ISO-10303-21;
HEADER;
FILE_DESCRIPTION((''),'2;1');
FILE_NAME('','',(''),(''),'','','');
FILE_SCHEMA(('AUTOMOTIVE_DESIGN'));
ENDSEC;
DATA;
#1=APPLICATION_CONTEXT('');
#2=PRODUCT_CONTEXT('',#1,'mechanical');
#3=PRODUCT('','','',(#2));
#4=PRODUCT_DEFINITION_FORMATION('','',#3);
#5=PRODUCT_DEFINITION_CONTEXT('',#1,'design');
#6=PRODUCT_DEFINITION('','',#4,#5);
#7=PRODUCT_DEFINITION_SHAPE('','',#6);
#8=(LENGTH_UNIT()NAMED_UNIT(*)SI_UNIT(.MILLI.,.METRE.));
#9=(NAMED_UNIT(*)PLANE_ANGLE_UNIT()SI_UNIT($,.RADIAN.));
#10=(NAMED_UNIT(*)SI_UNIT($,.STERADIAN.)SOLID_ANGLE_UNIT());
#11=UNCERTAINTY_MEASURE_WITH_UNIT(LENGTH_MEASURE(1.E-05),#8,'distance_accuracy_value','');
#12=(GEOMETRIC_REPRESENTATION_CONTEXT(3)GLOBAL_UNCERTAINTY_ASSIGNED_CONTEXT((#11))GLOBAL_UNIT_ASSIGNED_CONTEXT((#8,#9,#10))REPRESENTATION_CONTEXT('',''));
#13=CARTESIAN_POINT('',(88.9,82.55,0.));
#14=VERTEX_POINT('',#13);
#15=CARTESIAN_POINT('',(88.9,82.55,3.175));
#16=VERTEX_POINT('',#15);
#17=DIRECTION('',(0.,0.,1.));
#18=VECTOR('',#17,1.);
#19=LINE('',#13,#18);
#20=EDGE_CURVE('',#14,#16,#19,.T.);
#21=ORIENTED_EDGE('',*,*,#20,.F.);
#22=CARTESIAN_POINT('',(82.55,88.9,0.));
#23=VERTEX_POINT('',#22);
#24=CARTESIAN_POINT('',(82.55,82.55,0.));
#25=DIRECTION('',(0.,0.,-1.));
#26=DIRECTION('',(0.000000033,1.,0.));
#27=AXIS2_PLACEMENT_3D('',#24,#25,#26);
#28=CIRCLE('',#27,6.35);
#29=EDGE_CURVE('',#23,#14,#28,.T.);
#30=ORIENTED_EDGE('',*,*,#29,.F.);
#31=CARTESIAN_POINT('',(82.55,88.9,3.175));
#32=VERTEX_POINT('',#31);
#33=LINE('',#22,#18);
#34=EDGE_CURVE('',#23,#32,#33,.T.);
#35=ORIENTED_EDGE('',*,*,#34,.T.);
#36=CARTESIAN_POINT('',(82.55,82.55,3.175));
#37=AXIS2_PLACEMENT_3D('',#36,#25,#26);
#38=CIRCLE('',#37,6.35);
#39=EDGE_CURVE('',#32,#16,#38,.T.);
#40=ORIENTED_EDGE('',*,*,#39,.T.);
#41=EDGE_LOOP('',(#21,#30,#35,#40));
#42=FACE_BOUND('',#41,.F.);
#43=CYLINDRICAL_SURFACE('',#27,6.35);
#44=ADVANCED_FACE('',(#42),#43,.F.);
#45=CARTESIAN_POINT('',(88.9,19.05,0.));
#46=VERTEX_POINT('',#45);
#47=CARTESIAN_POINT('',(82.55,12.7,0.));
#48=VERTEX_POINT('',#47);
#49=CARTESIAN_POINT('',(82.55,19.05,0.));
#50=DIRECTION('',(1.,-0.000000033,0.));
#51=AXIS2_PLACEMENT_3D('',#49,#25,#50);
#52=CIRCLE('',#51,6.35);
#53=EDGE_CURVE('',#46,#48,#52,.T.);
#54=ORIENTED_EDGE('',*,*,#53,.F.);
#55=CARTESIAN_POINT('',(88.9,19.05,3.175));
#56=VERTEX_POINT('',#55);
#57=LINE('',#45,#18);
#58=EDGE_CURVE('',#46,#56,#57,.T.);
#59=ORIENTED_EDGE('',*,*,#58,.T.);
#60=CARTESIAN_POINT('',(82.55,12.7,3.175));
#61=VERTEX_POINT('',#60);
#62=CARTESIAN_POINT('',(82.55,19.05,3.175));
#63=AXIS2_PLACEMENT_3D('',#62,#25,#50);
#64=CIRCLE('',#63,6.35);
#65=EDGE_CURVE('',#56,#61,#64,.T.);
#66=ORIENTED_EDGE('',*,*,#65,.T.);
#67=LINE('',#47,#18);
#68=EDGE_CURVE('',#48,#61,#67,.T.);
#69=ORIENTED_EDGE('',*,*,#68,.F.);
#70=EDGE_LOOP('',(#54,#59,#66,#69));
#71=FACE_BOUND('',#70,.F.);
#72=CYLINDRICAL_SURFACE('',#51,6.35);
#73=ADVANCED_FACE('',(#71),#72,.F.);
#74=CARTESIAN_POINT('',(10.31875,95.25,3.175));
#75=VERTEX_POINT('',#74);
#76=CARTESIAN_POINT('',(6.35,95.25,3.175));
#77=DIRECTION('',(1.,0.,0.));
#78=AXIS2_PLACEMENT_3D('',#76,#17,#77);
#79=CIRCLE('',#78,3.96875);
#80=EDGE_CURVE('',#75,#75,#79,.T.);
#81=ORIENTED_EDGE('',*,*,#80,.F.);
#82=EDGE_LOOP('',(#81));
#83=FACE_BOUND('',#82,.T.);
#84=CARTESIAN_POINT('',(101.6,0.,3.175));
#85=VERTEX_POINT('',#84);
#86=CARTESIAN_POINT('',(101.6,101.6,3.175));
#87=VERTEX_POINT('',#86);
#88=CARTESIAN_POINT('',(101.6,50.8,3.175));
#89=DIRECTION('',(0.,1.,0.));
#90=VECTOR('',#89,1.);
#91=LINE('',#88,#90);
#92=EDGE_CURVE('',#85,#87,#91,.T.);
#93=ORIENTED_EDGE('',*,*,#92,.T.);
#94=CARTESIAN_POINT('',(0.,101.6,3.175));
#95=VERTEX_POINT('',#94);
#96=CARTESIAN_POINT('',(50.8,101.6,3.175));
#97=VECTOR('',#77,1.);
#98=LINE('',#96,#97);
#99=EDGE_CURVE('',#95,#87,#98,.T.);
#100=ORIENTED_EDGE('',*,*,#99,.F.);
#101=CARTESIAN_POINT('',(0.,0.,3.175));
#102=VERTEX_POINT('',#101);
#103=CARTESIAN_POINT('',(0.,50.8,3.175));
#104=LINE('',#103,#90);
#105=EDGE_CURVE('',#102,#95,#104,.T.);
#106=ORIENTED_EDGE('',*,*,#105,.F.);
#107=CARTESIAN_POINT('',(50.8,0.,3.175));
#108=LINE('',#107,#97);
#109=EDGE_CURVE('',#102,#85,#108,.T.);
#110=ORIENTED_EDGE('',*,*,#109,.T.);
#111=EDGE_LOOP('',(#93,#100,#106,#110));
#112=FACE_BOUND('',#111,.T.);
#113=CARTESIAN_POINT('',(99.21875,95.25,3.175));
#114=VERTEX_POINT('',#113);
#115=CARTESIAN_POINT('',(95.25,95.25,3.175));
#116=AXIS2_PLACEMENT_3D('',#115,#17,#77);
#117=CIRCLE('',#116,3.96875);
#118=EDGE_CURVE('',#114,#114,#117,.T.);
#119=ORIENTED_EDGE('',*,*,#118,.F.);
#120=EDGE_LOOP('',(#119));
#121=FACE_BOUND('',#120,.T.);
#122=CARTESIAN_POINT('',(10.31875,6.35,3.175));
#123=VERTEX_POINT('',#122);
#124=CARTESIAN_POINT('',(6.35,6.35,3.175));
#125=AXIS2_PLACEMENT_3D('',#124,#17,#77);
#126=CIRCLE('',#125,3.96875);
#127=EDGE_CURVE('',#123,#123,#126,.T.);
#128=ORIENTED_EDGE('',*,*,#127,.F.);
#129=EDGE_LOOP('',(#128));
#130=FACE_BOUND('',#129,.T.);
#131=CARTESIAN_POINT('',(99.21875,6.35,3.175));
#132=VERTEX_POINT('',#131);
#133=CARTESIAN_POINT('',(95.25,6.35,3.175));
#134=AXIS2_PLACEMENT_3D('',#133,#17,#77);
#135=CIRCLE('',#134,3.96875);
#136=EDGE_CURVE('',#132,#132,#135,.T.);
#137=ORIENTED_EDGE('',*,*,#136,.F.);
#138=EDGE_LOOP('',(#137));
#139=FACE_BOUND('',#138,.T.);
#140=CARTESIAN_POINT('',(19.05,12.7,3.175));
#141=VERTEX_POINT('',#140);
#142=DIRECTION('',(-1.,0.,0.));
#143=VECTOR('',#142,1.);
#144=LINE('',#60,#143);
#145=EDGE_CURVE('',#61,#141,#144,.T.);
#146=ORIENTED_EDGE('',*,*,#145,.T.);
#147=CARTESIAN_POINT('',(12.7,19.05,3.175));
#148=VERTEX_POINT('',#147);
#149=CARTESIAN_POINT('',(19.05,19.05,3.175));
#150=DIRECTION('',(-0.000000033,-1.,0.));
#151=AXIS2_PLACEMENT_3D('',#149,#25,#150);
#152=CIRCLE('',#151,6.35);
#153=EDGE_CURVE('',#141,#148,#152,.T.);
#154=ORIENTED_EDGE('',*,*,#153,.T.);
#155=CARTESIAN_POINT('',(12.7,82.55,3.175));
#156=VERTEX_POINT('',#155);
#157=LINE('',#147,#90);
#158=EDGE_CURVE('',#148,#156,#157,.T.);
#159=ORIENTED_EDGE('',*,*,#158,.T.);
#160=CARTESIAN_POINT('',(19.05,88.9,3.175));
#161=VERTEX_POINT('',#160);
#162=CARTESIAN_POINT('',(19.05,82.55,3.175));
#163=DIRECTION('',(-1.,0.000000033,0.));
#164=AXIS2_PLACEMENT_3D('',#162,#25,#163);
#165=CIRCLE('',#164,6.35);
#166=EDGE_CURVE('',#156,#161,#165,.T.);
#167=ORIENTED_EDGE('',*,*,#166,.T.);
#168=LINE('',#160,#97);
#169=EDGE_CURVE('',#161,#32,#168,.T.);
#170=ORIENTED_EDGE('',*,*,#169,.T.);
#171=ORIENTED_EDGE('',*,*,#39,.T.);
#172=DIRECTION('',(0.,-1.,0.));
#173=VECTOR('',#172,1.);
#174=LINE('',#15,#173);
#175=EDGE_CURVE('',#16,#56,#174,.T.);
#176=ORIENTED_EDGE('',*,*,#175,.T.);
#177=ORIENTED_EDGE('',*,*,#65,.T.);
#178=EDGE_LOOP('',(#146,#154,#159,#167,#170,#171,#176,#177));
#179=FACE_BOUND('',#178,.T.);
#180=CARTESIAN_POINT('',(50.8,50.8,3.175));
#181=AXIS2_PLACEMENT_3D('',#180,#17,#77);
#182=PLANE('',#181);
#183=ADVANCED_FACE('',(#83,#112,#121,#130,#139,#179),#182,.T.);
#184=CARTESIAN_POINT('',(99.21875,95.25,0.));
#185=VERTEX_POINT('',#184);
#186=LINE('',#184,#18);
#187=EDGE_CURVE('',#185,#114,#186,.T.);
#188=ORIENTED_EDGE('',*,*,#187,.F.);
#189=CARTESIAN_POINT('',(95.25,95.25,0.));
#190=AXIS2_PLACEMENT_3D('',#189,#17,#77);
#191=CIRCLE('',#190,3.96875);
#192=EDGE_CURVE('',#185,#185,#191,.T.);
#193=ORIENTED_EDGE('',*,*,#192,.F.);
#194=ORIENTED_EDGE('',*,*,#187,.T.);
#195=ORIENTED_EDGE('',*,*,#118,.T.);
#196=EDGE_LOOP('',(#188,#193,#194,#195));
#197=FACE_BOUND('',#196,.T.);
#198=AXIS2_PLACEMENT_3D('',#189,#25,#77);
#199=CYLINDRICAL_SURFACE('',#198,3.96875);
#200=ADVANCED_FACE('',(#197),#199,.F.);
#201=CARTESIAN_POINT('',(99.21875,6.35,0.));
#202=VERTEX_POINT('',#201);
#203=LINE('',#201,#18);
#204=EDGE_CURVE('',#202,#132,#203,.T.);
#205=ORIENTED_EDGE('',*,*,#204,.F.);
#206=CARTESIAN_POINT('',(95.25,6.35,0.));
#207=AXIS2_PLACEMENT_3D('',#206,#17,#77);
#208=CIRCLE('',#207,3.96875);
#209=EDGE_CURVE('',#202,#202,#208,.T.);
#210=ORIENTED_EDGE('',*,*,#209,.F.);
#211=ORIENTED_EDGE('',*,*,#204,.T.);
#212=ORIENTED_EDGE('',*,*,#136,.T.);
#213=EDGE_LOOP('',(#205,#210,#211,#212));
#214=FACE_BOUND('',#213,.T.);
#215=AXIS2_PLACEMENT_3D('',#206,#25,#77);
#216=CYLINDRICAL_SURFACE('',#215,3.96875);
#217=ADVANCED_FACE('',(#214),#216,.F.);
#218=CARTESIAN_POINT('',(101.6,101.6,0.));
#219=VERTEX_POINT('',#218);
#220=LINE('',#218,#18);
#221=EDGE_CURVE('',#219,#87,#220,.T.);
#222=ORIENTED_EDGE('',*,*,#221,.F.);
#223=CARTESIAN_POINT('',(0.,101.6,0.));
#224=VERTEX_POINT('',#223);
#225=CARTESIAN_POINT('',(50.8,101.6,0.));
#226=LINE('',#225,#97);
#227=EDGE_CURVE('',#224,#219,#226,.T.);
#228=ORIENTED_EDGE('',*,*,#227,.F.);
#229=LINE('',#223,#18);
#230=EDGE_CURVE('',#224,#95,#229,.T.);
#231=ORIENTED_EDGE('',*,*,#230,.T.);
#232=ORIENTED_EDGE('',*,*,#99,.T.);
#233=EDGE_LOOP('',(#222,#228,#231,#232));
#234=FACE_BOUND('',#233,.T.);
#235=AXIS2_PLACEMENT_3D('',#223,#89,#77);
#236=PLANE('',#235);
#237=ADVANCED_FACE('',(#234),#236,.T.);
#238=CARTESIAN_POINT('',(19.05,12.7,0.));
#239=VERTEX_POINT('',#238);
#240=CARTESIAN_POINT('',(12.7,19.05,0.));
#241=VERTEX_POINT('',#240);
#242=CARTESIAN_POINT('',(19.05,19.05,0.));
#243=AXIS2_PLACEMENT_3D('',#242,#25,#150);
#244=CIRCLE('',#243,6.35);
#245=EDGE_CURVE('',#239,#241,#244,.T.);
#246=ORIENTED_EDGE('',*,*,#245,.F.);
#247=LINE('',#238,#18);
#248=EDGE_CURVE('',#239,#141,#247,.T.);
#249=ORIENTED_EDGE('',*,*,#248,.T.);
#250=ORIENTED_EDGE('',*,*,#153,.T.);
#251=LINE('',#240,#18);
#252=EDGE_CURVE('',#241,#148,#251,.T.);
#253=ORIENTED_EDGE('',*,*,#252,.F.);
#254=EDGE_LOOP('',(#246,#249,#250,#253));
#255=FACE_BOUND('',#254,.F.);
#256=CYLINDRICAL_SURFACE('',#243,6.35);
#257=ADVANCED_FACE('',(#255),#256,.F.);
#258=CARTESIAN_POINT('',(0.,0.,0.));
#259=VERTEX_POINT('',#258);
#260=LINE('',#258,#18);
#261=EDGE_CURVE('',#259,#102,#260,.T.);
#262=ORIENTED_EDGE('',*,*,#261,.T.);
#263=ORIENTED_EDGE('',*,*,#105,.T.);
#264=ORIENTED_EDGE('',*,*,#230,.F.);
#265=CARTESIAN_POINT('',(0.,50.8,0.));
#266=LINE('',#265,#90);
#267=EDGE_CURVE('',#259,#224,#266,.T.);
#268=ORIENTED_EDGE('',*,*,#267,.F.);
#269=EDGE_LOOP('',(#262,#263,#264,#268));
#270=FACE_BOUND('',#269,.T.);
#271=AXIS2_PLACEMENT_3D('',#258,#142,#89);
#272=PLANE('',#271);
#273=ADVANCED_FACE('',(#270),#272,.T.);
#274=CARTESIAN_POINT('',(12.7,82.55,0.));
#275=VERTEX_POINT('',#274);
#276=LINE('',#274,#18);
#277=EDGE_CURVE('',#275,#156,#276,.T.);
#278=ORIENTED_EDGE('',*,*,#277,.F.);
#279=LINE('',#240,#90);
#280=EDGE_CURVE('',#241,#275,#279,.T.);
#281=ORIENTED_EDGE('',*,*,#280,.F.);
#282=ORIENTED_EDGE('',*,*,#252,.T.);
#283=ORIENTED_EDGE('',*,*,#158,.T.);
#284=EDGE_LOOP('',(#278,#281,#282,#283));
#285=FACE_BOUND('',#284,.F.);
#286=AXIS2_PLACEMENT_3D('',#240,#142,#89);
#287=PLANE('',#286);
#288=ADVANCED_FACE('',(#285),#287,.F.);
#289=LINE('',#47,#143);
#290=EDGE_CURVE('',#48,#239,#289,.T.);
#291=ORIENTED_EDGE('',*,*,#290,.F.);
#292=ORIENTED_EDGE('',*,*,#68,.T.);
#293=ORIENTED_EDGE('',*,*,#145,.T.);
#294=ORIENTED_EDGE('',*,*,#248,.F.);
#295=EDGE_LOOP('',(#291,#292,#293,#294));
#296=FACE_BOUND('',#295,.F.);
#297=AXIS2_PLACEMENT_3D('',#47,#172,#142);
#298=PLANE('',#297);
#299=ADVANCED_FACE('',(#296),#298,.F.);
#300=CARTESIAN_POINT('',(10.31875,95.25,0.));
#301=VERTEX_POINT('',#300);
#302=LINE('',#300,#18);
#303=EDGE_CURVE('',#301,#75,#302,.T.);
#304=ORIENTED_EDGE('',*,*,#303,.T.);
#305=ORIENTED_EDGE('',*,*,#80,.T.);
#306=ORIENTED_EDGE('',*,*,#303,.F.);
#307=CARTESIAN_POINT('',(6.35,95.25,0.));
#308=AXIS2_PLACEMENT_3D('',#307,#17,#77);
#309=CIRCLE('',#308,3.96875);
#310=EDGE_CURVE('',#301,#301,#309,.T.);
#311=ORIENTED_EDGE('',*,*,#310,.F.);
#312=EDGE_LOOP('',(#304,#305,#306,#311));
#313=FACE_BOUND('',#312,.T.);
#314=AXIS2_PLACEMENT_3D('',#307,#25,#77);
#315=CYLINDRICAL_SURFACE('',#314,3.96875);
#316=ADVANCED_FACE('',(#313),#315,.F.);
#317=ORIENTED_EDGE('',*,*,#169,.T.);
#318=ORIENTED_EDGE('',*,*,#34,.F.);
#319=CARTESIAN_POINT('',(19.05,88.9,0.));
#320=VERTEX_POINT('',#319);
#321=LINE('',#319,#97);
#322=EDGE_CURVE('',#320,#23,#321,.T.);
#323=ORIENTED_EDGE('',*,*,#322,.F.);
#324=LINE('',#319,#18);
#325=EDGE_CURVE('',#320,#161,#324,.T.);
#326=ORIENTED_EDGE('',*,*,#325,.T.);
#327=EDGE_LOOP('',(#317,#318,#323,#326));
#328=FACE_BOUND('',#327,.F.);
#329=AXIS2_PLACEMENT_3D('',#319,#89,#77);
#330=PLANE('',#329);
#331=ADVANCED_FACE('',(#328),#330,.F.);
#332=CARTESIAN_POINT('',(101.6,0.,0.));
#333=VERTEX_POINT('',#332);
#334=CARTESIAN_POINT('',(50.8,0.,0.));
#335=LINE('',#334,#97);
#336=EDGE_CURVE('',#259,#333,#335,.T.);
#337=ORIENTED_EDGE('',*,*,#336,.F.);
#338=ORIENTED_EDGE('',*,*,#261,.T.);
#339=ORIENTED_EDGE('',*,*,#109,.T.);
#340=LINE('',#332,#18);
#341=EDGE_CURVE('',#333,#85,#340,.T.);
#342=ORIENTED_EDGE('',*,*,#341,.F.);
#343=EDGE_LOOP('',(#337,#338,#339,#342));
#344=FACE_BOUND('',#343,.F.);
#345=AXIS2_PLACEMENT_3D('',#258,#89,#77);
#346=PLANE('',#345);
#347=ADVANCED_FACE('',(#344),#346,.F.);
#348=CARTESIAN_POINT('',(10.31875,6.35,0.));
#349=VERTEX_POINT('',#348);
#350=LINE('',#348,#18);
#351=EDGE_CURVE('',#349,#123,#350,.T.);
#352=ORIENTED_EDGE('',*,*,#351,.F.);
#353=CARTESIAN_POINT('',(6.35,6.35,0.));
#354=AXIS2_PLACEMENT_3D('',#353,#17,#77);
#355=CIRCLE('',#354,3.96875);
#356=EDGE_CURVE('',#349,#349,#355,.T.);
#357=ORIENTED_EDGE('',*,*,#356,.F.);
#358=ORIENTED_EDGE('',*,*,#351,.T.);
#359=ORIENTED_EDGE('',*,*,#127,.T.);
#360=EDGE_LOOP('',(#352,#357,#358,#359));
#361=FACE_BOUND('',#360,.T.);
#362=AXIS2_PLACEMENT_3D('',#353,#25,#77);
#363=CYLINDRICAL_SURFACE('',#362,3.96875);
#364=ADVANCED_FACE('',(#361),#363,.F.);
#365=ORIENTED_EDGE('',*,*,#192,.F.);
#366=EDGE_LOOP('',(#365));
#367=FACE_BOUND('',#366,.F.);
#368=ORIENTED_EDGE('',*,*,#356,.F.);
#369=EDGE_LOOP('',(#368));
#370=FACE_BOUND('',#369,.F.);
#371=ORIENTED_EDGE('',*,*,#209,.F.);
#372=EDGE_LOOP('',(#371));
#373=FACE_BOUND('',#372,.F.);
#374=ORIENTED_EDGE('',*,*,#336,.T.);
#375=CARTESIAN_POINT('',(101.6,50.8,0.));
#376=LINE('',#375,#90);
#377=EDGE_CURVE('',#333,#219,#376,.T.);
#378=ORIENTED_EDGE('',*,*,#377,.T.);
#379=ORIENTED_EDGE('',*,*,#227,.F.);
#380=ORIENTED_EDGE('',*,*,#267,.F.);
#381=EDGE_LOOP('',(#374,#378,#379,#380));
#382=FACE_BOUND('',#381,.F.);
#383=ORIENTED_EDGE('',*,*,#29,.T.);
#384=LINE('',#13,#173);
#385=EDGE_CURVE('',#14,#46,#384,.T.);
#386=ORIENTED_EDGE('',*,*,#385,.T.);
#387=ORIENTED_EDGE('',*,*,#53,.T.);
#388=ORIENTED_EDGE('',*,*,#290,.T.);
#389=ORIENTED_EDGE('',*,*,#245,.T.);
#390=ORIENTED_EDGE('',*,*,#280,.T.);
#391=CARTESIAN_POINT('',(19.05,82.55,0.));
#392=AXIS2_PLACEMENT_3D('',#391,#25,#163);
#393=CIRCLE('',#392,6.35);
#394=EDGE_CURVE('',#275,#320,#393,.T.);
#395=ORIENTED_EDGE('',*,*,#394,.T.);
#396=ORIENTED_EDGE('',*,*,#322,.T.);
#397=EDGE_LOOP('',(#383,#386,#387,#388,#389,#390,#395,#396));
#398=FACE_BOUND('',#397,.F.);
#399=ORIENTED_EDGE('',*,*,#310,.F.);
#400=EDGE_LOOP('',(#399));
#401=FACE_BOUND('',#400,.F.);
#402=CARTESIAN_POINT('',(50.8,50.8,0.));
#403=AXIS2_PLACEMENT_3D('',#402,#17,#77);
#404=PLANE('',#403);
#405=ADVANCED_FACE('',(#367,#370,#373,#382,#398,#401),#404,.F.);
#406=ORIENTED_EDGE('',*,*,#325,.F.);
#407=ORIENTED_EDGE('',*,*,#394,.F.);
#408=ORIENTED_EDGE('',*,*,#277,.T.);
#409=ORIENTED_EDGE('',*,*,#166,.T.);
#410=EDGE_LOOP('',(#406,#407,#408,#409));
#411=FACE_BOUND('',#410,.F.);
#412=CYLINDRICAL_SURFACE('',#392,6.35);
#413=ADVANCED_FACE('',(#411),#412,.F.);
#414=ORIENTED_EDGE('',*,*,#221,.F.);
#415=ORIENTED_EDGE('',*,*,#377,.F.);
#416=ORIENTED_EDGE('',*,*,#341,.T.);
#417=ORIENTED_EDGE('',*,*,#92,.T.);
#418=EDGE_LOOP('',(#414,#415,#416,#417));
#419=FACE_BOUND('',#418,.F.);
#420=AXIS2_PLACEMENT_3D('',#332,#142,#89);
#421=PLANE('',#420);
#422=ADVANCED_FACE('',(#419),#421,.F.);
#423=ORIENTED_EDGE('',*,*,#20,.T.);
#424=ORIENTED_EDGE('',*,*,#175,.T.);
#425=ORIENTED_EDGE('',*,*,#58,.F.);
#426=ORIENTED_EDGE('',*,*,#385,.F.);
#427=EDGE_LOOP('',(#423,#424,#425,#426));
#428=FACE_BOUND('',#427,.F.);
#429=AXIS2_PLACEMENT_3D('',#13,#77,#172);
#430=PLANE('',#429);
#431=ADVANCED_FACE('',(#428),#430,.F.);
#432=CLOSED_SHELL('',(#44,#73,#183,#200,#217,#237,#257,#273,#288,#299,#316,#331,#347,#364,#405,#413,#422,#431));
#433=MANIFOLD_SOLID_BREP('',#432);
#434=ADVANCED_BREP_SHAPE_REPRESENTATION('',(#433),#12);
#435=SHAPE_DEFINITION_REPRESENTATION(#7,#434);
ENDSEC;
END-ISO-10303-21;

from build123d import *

# Parameters (mm, degrees)
F0_W     = 101.6
F0_H     = 101.6
F0_R     = 3.96875
F1_DEPTH = 3.175


with BuildPart() as f1:
    # F0 (on Top) → F1 (new body)
    with BuildSketch(Plane.XY):
        with Locations((50.8, 50.8)):
            Rectangle(F0_W, F0_H)
        with Locations((6.35, 6.35)):
            Circle(F0_R, mode=Mode.SUBTRACT)
        with Locations((95.25, 6.35)):
            Circle(F0_R, mode=Mode.SUBTRACT)
        with Locations((6.35, 95.25)):
            Circle(F0_R, mode=Mode.SUBTRACT)
        with BuildLine():
            Line((82.55, 12.7), (19.05, 12.7))
            ThreePointArc((19.05, 12.7), (14.559872, 14.559872), (12.7, 19.05))
            Line((12.7, 19.05), (12.7, 82.55))
            ThreePointArc((12.7, 82.55), (14.559872, 87.040128), (19.05, 88.9))
            Line((19.05, 88.9), (82.55, 88.9))
            ThreePointArc((82.55, 88.9), (87.040128, 87.040128), (88.9, 82.55))
            Line((88.9, 82.55), (88.9, 19.05))
            ThreePointArc((88.9, 19.05), (87.040128, 14.559872), (82.55, 12.7))
        make_face(mode=Mode.SUBTRACT)
        with Locations((95.25, 95.25)):
            Circle(F0_R, mode=Mode.SUBTRACT)
    extrude(amount=F1_DEPTH)


solid = f1.part
